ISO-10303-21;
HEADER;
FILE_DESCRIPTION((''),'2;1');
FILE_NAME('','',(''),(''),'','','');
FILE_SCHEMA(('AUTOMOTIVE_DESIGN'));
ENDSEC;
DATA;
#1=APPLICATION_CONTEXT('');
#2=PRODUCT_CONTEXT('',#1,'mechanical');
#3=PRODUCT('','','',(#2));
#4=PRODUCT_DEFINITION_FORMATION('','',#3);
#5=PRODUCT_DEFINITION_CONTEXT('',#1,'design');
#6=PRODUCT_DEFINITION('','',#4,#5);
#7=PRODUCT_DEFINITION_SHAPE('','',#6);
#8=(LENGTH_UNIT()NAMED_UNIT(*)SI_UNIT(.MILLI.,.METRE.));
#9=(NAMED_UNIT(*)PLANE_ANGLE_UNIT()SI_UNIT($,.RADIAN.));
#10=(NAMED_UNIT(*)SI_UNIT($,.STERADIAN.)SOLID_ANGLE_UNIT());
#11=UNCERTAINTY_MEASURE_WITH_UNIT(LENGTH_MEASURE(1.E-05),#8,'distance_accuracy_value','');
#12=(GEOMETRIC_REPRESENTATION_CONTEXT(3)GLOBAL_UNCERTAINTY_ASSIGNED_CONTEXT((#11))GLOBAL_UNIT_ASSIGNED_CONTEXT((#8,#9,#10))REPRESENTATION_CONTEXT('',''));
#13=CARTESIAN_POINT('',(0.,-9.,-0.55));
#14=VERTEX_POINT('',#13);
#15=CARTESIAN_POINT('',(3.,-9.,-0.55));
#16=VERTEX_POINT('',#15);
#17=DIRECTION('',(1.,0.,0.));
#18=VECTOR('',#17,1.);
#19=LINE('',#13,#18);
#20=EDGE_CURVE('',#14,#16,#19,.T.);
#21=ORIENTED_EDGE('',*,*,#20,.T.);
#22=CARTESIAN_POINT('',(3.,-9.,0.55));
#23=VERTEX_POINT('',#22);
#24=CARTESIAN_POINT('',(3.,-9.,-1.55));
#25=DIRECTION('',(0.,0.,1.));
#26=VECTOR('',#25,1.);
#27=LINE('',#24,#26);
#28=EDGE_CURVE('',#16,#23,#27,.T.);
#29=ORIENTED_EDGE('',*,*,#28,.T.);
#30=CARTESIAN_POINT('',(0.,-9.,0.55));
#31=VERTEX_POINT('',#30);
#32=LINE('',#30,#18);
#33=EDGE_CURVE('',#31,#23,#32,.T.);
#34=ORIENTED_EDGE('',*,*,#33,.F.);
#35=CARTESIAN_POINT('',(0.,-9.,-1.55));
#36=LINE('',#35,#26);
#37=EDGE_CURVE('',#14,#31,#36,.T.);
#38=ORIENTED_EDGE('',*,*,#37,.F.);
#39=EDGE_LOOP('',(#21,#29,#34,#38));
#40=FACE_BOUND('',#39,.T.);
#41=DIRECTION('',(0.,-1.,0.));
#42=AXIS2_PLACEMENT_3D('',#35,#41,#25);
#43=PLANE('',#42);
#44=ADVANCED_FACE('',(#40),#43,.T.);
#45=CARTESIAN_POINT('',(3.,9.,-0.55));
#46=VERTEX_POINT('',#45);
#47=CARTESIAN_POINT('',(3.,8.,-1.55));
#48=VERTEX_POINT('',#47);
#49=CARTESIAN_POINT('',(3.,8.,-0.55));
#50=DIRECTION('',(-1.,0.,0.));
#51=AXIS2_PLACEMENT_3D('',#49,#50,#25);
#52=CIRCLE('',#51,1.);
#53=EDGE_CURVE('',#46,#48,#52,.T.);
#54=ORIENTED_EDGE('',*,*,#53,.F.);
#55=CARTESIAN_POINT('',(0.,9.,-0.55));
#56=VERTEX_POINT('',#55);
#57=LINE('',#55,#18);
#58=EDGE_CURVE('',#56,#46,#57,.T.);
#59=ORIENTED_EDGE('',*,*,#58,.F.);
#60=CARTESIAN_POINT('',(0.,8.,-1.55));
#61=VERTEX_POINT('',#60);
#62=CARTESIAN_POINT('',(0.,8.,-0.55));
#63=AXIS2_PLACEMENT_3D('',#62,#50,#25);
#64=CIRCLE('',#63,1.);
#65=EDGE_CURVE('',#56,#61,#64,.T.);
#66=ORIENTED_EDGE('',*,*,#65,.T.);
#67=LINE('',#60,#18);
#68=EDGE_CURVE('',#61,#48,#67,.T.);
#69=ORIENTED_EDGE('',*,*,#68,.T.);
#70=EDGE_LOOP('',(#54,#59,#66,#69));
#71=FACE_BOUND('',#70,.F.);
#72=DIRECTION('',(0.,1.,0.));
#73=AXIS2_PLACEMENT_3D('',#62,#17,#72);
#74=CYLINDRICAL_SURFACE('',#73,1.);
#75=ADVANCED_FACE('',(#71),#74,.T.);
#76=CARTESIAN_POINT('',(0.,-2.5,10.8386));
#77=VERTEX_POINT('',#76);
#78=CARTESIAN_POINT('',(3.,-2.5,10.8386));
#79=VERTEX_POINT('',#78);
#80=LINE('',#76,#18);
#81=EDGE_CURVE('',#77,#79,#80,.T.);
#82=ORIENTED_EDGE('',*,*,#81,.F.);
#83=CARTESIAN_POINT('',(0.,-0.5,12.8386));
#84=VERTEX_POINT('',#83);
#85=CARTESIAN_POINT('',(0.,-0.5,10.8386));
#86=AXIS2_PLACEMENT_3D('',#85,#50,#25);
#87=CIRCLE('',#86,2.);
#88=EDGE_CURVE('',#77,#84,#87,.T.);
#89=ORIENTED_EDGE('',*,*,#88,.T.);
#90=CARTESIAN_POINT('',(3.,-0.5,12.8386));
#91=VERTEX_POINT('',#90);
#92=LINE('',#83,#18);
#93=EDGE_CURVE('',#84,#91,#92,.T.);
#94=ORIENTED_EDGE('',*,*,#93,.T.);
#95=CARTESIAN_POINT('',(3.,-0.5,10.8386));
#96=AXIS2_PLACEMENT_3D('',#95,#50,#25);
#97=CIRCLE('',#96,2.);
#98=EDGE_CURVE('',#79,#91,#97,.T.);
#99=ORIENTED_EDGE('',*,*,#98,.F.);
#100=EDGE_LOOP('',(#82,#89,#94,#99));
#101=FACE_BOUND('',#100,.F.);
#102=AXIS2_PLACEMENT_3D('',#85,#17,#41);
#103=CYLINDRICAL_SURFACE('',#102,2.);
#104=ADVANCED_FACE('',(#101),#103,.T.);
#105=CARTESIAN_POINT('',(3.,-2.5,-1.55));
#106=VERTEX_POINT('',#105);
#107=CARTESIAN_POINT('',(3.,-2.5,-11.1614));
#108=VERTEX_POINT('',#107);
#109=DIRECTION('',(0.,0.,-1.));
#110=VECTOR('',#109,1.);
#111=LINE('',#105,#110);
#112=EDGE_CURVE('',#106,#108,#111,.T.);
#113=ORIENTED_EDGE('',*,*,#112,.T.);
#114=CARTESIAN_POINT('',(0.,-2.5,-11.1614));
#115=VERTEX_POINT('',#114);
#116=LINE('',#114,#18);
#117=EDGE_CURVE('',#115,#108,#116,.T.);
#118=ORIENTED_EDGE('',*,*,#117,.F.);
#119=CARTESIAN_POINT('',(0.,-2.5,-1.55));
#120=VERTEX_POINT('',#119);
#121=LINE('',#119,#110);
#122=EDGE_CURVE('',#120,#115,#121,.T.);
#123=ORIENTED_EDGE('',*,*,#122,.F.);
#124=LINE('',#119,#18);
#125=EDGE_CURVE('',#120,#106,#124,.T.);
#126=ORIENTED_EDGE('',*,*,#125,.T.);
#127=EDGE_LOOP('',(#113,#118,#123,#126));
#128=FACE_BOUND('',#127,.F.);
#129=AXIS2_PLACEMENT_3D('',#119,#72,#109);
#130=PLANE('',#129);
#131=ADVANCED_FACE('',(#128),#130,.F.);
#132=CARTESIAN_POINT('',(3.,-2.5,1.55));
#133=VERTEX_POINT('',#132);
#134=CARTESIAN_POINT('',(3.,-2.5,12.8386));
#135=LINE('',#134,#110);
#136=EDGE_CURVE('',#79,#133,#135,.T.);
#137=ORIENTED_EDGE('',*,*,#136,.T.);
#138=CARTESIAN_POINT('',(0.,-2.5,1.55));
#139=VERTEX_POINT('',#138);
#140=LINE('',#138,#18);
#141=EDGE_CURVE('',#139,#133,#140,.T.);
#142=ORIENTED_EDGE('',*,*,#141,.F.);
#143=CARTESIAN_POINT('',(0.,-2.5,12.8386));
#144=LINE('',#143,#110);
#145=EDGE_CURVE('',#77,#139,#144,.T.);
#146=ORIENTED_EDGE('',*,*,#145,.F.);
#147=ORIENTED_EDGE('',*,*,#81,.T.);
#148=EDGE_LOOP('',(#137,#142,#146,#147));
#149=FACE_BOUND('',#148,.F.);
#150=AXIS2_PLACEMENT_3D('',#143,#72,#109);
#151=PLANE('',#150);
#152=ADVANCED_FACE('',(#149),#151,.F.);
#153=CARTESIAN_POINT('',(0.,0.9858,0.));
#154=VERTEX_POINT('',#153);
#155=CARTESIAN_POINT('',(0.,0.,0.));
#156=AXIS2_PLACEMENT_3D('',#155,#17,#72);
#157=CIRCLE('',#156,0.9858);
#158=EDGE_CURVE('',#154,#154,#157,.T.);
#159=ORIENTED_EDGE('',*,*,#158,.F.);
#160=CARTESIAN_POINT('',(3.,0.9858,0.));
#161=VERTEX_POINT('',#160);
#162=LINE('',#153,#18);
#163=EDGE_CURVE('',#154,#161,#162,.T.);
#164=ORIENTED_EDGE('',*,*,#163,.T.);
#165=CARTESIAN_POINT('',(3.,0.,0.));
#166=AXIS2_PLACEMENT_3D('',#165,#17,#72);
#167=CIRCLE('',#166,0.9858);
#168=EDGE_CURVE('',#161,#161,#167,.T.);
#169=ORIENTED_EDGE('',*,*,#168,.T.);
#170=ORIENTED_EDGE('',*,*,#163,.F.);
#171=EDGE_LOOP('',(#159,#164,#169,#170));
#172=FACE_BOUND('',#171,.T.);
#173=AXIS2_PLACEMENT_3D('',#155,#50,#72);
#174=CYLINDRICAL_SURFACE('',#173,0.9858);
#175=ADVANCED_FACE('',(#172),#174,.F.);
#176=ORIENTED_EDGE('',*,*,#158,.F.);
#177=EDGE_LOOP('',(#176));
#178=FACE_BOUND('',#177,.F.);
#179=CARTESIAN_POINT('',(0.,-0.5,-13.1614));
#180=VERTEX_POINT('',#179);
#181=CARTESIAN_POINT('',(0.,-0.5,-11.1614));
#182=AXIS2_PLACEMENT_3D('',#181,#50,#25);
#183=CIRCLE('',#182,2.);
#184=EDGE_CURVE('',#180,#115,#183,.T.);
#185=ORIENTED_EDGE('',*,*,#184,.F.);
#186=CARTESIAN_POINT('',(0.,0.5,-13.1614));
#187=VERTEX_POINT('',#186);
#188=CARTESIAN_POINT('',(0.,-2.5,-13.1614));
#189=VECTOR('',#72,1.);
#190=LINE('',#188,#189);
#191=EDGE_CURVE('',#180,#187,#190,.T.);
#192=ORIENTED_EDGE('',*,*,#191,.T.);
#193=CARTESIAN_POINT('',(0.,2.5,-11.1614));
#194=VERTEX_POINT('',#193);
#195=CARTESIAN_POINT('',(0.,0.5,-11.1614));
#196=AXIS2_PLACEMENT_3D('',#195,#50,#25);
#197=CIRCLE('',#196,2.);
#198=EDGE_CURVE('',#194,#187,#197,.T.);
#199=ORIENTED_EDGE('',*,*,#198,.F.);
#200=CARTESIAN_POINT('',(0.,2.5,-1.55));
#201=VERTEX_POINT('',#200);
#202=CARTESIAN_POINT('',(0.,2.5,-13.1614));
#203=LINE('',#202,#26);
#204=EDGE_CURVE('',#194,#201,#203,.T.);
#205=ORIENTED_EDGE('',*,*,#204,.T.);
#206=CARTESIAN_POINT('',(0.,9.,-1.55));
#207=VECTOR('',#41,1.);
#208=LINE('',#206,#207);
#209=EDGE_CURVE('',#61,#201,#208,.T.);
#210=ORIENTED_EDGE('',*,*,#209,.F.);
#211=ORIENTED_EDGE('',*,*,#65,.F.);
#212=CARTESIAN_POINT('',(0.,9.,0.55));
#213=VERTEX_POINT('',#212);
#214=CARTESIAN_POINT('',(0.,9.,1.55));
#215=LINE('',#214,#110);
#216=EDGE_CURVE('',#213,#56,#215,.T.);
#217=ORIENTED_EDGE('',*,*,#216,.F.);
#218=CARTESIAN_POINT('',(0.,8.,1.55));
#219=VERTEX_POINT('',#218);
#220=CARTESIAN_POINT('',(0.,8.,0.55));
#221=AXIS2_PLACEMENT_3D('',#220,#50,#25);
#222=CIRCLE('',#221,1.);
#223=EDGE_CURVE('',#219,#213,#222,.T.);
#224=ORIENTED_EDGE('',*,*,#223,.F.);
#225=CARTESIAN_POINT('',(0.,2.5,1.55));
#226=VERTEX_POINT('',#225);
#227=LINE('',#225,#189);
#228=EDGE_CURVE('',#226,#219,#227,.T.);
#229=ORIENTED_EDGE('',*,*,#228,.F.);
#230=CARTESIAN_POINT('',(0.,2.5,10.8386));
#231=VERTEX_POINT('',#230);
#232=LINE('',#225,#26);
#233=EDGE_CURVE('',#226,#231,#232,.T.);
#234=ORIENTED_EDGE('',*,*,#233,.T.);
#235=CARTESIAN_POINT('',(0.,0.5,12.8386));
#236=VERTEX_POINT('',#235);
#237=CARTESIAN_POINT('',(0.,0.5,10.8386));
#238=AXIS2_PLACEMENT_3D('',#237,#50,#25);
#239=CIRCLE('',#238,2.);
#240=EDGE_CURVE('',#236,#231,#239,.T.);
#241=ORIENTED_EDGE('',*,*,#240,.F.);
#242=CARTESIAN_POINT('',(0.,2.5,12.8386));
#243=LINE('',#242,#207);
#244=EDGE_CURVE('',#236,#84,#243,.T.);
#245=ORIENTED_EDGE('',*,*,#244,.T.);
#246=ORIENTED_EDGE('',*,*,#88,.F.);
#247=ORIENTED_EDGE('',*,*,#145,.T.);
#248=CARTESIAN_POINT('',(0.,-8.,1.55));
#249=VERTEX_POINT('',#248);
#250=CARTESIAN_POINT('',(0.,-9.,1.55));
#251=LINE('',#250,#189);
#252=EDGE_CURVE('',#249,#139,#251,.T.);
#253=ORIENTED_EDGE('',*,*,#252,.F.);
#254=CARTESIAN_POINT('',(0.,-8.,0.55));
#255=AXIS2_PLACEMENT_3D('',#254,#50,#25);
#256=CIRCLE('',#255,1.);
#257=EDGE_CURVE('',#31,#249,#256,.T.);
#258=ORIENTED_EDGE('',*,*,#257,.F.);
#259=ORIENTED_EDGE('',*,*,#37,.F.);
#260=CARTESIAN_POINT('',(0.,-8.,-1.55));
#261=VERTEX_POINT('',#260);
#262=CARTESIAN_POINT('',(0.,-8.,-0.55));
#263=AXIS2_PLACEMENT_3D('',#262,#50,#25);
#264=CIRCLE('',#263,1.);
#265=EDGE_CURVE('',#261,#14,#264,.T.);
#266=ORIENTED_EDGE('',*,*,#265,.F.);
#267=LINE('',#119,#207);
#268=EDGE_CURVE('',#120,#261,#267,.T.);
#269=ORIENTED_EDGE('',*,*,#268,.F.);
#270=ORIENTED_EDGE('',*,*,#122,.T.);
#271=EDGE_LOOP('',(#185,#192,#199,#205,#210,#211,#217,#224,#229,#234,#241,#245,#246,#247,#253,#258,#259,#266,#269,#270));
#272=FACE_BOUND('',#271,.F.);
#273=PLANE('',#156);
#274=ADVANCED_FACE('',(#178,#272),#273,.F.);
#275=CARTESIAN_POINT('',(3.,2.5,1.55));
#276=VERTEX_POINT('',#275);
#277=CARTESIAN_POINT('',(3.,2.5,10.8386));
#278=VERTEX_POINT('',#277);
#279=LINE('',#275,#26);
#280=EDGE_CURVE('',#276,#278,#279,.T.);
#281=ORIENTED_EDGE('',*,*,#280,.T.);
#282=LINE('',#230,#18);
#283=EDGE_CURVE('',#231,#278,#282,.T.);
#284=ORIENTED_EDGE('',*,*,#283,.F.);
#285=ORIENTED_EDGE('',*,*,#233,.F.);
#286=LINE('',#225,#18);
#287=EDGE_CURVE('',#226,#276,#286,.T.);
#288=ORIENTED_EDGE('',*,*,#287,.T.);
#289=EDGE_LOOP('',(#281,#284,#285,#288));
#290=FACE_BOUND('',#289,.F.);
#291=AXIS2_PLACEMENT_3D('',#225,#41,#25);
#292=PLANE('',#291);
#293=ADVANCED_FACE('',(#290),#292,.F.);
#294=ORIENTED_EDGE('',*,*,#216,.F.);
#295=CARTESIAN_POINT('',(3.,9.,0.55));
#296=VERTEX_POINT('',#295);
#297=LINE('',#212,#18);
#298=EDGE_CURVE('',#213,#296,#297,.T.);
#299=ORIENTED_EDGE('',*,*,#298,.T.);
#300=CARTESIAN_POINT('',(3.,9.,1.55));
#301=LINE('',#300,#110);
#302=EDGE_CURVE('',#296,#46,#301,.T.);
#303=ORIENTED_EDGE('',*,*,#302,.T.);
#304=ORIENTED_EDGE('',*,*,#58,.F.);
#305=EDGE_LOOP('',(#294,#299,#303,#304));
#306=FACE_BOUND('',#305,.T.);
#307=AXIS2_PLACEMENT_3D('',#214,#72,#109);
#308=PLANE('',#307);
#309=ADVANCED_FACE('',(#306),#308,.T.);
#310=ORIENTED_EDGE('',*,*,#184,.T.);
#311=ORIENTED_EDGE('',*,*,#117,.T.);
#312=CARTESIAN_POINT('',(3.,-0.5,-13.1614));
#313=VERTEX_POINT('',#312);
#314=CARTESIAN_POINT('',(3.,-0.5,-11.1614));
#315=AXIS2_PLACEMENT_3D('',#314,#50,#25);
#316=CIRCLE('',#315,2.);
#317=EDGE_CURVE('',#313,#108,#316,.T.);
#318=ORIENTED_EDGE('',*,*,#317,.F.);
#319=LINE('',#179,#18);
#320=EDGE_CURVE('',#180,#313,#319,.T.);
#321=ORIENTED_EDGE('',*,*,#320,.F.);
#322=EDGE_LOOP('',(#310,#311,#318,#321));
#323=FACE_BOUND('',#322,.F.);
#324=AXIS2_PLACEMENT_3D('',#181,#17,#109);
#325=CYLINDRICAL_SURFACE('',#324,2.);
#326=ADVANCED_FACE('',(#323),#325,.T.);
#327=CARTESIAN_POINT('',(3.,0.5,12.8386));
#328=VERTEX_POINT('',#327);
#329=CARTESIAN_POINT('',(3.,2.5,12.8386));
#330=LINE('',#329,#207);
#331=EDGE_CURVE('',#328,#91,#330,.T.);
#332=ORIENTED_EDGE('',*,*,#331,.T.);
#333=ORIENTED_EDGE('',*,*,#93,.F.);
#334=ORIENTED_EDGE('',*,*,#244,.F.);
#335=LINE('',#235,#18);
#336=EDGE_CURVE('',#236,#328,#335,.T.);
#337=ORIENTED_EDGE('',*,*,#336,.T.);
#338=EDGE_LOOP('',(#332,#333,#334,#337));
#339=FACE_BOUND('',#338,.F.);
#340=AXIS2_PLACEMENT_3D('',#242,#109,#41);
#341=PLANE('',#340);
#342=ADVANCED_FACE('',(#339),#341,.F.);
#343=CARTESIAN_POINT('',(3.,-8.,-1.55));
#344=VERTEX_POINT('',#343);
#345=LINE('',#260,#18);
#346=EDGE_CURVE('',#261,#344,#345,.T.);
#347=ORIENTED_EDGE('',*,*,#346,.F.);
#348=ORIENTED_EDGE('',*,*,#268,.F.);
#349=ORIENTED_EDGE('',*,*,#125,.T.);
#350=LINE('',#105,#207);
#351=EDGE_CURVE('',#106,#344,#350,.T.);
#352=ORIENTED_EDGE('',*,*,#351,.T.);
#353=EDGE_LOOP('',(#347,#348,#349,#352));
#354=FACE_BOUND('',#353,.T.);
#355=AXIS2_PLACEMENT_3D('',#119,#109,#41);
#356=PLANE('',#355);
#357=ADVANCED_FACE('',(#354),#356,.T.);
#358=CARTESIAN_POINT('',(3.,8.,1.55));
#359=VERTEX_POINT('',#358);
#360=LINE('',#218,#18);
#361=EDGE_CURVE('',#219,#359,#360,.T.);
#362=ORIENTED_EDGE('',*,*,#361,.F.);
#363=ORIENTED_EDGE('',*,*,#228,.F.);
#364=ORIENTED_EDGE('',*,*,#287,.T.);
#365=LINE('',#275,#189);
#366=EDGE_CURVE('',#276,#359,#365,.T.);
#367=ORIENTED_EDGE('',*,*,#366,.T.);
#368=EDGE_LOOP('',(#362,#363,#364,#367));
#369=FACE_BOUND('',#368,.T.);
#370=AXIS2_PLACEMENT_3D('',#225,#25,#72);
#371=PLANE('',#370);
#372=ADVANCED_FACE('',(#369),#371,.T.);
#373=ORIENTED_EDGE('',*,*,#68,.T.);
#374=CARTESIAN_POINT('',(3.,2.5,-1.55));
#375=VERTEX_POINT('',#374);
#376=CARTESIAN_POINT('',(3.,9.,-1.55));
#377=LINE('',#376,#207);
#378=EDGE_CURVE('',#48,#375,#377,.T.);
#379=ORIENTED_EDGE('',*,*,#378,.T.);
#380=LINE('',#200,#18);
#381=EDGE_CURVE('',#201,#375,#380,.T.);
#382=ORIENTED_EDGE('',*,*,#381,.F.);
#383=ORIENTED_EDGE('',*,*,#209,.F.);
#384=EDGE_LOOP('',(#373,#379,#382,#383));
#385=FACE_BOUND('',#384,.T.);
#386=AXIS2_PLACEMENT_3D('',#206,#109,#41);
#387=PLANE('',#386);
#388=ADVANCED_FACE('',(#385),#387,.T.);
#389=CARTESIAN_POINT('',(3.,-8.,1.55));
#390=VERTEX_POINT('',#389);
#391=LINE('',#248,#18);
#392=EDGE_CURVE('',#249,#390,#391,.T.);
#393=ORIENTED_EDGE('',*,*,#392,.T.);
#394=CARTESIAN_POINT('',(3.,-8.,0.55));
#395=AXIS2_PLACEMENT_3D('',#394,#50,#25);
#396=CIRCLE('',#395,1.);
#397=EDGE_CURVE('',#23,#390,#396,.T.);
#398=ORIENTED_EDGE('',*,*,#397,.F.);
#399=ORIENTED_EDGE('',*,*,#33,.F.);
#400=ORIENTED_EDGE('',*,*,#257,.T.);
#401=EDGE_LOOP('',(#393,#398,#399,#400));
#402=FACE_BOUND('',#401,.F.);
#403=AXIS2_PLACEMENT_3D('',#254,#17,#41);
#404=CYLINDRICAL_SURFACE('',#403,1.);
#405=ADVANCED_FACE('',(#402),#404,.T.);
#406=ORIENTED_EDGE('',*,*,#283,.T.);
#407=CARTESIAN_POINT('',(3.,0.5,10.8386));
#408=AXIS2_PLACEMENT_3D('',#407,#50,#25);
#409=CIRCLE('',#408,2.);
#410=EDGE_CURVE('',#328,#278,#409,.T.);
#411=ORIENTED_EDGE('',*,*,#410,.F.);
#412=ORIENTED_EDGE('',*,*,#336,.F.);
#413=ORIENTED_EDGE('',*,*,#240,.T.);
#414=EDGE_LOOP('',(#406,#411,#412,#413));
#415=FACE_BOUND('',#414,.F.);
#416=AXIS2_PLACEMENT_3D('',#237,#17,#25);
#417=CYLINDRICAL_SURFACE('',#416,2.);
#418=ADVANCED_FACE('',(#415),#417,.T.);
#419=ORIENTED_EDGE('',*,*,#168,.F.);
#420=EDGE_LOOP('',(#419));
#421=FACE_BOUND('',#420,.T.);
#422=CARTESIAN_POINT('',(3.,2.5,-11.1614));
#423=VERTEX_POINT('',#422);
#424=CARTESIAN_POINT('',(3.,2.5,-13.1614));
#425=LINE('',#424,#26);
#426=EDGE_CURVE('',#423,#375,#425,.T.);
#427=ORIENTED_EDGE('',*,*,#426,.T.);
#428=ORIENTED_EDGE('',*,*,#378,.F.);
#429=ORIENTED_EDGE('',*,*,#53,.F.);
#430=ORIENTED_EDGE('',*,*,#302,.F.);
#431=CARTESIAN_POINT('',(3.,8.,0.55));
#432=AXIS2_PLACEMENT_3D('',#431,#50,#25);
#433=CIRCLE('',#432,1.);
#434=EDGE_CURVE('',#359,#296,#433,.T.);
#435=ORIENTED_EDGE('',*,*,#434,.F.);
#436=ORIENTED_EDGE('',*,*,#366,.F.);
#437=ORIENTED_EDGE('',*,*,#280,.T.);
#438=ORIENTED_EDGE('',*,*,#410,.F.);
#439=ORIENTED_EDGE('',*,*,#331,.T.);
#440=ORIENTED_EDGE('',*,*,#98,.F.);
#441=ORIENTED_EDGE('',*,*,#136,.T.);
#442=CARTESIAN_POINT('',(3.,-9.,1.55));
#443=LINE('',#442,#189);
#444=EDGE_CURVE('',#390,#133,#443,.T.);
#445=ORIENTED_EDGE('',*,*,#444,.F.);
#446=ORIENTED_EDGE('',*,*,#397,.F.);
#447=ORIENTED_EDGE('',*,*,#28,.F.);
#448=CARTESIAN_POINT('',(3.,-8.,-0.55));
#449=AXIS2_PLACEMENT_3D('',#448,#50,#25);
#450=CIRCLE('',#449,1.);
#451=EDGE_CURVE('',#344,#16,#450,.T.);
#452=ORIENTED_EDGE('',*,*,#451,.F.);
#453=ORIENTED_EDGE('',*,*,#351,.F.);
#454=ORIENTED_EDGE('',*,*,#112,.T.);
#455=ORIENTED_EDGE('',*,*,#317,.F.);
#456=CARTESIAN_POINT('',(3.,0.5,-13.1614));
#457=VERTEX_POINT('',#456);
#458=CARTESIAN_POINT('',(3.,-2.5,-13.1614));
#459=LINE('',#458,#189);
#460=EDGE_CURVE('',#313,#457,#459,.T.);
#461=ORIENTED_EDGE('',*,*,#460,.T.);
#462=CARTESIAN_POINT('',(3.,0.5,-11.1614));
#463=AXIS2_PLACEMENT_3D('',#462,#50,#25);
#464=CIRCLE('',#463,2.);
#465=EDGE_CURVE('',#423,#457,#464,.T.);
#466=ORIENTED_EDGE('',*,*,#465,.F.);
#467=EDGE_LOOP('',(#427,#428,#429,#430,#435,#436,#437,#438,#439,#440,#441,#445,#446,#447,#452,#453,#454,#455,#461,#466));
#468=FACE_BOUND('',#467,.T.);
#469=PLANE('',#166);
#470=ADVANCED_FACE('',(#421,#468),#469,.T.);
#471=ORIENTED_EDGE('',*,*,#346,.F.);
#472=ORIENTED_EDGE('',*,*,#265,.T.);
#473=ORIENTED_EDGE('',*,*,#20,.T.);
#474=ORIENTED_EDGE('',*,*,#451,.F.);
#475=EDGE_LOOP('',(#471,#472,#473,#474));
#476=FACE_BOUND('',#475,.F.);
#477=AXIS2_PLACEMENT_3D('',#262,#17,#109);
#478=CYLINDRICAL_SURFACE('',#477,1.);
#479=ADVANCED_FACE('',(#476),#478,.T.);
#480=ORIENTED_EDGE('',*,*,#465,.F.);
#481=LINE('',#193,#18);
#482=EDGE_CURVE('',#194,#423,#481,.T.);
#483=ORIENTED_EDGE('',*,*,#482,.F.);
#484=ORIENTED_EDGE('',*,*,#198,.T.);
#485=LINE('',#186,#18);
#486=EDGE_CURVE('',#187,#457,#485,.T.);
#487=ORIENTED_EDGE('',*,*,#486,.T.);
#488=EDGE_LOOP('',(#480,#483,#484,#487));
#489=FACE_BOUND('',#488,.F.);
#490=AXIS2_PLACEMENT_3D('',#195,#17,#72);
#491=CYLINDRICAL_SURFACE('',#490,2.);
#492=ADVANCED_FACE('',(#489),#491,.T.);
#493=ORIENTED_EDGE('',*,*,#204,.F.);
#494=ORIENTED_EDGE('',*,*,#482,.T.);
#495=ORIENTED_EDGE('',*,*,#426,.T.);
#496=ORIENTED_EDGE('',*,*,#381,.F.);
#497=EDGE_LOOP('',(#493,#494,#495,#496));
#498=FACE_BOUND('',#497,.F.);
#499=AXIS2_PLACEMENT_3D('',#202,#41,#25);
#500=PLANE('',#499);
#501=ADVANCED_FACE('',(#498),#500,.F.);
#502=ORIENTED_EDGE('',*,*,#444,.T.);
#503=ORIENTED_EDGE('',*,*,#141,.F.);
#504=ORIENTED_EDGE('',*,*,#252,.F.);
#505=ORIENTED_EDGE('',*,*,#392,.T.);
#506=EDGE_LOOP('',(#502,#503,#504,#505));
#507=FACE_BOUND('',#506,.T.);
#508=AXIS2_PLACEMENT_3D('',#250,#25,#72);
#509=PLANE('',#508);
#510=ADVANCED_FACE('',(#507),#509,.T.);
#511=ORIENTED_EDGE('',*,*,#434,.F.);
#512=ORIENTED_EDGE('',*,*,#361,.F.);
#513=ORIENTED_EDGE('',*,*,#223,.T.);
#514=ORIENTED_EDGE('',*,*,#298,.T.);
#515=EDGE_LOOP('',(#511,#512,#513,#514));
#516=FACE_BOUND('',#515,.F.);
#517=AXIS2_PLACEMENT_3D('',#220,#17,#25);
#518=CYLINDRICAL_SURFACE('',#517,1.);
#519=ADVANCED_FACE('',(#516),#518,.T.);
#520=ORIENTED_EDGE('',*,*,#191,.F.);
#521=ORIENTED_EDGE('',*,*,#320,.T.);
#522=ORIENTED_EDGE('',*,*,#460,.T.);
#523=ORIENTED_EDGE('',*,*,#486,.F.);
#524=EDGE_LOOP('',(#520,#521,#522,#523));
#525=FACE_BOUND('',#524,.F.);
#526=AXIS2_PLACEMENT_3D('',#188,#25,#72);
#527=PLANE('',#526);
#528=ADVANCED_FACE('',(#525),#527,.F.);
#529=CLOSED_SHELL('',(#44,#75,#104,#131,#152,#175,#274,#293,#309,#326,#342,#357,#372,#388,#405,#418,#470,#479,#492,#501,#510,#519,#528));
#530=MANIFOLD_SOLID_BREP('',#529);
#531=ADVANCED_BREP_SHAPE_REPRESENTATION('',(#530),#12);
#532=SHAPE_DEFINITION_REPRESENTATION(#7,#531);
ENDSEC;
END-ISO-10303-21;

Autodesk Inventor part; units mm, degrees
ref_plane "YZ Plane" through (0, 0, 0) normal (1, 0, 0) x (0, 1, 0)
ref_plane "XZ Plane" through (0, 0, 0) normal (0, 1, 0) x (-1, 0, 0)
ref_plane "XY Plane" through (0, 0, 0) normal (0, 0, 1) x (1, 0, 0)
sketch "Sketch6" plane through (0, 0, 0) normal (1, 0, 0) x (0, 1, 0)
  point P0 (0, 0)
sketch "Sketch7" plane through (0, 0, 0) normal (1, 0, 0) x (0, 1, 0)
  line L0 (-2.5, -13.1614) -> (2.5, -13.1614)
  line L1 (2.5, 12.8386) -> (-2.5, 12.8386)
  circle A0 centre (0, 0) radius 0.9858
  line L2 (9, 1.55) -> (9, -1.55)
  line L3 (-9, -1.55) -> (-9, 1.55)
  line L4 (2.5, 1.55) -> (9, 1.55)
  line L5 (-9, 1.55) -> (-2.5, 1.55)
  line L6 (-2.5, -1.55) -> (-9, -1.55)
  line L7 (9, -1.55) -> (2.5, -1.55)
  line L8 (2.5, 1.55) -> (2.5, 12.8386)
  line L9 (2.5, -13.1614) -> (2.5, -1.55)
  line L10 (-2.5, -1.55) -> (-2.5, -13.1614)
  line L11 (-2.5, 12.8386) -> (-2.5, 1.55)
  point P0 (-9, 0)
  point P1 (0, 12.8386)
  point P2 (9, 0)
  point P3 (0, -13.1614)
  dimension "d85" = 5
  dimension "d86" = 3.1
  dimension "d90" = 26
  dimension "d91" = 3.1
  dimension "d92" = 5
  dimension "d93" = 18
extrude "Extrusion3" add sketch "Sketch7" along normal blind 3
fillet "Fillet1" radius 1 1 edges at (1.5, 9, 1.55)
fillet "Fillet2" radius 1 1 edges at (1.5, 9, -1.55)
fillet "Fillet3" radius 1 1 edges at (1.5, -9, -1.55)
fillet "Fillet4" radius 1 1 edges at (1.5, -9, 1.55)
fillet "Fillet5" radius 2 1 edges at (1.5, -2.5, 12.8386)
fillet "Fillet6" radius 2 1 edges at (1.5, 2.5, 12.8386)
fillet "Fillet7" radius 2 1 edges at (1.5, 2.5, -13.1614)
fillet "Fillet8" radius 2 1 edges at (1.5, -2.5, -13.1614)
properties part number "6P-016 cutout"
